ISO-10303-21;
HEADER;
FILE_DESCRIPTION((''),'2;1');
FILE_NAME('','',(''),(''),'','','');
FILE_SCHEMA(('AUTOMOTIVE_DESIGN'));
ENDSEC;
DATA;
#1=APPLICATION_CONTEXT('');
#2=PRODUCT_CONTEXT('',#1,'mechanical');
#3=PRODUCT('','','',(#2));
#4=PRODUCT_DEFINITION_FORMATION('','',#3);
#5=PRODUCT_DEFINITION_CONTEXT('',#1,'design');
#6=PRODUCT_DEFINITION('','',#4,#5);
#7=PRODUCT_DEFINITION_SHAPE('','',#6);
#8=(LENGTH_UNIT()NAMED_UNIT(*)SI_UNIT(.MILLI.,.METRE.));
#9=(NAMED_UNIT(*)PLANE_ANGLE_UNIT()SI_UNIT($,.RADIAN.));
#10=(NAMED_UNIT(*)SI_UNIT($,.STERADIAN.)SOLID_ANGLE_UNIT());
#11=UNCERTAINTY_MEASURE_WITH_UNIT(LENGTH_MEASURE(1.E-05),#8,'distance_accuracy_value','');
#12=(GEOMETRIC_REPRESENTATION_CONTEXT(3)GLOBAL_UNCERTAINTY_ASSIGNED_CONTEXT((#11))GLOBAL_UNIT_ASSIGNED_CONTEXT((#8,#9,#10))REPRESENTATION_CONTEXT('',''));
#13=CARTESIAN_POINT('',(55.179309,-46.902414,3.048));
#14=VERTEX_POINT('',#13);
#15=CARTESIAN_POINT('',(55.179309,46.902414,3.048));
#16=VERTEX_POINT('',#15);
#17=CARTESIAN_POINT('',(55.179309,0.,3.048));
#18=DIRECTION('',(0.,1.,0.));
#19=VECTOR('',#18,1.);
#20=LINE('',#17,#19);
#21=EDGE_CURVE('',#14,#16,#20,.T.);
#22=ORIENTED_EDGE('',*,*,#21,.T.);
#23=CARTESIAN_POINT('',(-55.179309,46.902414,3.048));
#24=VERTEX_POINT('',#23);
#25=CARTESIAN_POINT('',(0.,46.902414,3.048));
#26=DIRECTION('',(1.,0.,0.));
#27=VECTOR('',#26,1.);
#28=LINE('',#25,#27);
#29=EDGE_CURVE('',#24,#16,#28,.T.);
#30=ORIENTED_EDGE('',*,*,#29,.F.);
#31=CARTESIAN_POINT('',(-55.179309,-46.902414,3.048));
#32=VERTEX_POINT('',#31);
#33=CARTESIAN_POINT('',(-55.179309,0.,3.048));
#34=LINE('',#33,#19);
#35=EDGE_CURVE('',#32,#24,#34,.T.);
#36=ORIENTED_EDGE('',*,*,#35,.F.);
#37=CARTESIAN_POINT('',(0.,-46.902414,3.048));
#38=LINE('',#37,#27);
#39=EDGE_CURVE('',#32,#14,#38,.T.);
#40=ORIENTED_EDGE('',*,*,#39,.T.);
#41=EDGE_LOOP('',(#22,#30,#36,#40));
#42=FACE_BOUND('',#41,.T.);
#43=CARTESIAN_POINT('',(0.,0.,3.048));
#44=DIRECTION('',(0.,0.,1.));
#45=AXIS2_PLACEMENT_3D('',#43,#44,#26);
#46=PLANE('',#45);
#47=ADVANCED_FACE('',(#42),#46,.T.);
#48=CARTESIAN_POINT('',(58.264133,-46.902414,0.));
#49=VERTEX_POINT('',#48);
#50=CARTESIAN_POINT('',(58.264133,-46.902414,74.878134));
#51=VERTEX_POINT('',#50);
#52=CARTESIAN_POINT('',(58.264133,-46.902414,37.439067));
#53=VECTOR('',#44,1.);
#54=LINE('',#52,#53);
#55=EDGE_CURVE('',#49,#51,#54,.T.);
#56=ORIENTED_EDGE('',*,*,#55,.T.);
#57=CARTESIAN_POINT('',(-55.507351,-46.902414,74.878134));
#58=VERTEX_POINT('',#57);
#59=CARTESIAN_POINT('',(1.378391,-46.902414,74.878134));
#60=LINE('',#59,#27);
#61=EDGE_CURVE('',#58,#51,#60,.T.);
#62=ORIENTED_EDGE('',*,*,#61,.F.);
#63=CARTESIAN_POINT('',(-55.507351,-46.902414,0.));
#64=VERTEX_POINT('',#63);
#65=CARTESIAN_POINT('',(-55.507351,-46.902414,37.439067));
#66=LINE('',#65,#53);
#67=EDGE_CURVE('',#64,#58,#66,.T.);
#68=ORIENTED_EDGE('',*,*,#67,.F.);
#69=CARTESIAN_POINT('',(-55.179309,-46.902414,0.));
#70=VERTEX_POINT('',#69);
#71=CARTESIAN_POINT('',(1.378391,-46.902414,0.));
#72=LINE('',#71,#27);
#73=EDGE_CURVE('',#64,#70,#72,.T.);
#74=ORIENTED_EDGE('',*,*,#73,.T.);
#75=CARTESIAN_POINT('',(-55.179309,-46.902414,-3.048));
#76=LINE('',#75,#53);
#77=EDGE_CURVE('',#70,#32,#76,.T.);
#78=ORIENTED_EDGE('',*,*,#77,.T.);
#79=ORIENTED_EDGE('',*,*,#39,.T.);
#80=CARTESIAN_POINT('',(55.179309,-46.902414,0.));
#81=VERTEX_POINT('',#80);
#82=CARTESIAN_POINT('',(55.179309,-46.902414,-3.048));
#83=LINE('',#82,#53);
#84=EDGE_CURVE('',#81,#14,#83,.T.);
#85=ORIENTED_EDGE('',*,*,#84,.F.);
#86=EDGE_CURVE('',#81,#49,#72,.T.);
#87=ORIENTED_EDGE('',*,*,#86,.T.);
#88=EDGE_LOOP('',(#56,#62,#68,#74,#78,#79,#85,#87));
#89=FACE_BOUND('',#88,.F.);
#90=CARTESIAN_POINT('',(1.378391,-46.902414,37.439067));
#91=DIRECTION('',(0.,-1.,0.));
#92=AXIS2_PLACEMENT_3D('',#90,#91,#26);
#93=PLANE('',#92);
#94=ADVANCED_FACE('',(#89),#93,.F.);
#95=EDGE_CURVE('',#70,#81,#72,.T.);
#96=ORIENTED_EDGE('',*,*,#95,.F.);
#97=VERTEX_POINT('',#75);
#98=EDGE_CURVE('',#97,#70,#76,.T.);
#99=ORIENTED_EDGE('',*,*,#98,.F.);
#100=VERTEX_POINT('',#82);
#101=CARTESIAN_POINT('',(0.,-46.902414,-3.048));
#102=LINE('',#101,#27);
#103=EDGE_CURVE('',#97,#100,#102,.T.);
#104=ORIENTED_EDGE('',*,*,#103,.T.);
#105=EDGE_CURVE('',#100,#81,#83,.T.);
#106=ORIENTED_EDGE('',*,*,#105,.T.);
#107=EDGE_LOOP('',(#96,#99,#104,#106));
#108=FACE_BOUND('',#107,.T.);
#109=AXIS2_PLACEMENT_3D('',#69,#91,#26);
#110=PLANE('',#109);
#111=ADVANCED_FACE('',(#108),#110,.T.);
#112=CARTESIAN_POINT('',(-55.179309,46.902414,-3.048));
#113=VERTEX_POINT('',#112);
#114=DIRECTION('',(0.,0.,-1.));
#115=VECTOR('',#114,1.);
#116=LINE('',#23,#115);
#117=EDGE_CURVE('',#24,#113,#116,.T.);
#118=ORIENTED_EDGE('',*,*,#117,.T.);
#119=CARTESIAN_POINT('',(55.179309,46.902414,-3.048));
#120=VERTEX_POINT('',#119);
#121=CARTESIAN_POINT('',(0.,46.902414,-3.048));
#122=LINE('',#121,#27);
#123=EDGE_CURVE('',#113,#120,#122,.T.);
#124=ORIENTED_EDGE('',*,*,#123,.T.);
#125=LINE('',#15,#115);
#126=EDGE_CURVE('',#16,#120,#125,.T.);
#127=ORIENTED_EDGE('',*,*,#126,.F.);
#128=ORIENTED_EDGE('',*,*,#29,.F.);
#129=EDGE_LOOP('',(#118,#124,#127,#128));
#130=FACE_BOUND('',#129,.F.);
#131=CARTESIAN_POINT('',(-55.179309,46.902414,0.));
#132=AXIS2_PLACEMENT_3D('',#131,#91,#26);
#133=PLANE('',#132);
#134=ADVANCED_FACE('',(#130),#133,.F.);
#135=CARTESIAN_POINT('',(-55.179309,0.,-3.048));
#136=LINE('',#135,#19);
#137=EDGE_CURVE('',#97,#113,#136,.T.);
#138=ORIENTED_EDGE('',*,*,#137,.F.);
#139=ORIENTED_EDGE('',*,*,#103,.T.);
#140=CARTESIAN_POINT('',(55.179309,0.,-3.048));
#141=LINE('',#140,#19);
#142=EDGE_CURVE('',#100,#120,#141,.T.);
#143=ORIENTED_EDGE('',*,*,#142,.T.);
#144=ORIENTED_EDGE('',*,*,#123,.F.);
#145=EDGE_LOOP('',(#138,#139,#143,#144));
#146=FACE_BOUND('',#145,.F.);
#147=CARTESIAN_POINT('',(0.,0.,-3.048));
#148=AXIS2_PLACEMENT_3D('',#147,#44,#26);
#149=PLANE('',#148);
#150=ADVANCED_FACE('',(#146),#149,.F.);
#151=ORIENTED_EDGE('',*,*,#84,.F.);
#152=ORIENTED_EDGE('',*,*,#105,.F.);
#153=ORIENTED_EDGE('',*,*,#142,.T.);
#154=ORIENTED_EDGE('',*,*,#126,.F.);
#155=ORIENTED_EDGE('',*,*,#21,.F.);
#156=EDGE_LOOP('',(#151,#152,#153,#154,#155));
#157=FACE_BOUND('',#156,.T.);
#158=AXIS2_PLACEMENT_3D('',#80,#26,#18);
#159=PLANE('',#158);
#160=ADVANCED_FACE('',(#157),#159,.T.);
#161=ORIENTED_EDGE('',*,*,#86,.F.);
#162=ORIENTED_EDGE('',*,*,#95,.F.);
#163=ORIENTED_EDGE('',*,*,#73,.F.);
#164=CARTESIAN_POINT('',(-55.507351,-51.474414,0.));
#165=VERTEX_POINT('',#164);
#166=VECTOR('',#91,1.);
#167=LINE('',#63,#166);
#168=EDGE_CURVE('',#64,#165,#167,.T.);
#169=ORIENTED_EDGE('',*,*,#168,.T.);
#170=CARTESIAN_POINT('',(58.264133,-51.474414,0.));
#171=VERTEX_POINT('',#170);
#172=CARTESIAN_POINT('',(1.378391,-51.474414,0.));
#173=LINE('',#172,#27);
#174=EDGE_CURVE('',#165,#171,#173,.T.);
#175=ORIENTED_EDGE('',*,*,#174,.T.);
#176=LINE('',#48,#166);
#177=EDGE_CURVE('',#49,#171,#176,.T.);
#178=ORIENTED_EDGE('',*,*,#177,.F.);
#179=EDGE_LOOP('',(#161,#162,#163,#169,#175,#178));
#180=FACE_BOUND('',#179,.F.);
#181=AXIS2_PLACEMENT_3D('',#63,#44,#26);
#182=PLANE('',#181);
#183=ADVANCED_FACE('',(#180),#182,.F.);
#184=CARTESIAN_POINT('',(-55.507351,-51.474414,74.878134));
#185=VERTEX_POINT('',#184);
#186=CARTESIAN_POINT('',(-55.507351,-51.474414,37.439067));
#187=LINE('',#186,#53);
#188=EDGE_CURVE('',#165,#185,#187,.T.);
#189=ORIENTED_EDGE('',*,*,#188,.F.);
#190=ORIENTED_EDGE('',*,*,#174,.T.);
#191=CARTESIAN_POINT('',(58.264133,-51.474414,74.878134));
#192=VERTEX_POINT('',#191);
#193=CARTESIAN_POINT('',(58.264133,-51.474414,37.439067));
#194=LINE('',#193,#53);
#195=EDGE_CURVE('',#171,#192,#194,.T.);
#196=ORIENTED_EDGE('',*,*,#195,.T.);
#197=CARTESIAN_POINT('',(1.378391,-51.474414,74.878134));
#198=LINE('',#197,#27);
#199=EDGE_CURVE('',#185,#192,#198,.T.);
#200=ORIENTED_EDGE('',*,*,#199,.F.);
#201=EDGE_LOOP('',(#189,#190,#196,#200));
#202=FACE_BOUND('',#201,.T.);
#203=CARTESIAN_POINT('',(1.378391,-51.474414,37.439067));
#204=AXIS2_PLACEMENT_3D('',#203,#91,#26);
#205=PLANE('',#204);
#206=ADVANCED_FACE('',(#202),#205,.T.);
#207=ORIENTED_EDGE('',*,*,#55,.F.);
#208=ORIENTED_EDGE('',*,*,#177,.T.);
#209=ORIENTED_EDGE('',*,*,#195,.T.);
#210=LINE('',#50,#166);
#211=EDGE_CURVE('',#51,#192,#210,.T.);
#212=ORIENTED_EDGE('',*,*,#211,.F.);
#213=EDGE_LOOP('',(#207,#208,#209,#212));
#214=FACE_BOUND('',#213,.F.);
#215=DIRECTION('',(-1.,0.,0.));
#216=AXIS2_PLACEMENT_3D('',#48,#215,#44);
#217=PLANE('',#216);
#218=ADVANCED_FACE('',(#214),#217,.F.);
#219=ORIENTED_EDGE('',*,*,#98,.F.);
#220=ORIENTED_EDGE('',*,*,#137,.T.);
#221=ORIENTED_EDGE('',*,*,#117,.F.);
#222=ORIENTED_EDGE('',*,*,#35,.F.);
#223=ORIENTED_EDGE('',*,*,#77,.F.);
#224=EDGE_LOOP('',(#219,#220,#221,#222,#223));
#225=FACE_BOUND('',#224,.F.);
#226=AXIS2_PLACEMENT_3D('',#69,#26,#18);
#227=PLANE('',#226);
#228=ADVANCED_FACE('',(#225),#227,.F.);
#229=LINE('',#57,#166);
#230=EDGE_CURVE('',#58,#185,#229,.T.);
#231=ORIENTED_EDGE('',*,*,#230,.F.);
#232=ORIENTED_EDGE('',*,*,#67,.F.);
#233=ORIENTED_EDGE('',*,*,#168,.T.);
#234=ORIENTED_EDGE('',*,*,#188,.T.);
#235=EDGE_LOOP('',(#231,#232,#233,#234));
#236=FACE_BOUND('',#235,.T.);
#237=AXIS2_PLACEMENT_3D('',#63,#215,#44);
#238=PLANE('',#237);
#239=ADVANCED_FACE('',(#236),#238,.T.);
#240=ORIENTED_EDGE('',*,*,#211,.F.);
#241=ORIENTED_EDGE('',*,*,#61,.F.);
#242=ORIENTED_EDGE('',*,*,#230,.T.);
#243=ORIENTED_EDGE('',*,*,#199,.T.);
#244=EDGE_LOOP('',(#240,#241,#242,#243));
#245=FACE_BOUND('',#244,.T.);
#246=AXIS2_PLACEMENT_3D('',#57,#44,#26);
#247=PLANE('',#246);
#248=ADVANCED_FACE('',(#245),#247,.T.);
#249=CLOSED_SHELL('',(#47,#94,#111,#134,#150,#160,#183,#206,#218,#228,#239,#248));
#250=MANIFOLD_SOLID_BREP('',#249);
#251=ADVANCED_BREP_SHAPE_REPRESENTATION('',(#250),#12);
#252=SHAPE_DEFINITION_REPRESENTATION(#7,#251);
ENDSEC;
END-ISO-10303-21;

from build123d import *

# Parameters (mm, degrees)
F0_W     = 110.358618
F0_H     = 93.804828
F3_DEPTH = 3.048
F2_W     = 113.771484
F2_H     = 74.878134
F4_DEPTH = 4.572


with BuildPart() as f3:
    # F0 (on Top) → F3 (new body, symmetric)
    with BuildSketch(Plane.XY):
        Rectangle(F0_W, F0_H)
    extrude(amount=F3_DEPTH, both=True)

    # F2 (on face) → F4 (join)
    with BuildSketch(Plane.XZ.offset(46.902414)):
        with Locations((1.378391, 37.439067)):
            Rectangle(F2_W, F2_H)
    extrude(amount=F4_DEPTH)


solid = f3.part
